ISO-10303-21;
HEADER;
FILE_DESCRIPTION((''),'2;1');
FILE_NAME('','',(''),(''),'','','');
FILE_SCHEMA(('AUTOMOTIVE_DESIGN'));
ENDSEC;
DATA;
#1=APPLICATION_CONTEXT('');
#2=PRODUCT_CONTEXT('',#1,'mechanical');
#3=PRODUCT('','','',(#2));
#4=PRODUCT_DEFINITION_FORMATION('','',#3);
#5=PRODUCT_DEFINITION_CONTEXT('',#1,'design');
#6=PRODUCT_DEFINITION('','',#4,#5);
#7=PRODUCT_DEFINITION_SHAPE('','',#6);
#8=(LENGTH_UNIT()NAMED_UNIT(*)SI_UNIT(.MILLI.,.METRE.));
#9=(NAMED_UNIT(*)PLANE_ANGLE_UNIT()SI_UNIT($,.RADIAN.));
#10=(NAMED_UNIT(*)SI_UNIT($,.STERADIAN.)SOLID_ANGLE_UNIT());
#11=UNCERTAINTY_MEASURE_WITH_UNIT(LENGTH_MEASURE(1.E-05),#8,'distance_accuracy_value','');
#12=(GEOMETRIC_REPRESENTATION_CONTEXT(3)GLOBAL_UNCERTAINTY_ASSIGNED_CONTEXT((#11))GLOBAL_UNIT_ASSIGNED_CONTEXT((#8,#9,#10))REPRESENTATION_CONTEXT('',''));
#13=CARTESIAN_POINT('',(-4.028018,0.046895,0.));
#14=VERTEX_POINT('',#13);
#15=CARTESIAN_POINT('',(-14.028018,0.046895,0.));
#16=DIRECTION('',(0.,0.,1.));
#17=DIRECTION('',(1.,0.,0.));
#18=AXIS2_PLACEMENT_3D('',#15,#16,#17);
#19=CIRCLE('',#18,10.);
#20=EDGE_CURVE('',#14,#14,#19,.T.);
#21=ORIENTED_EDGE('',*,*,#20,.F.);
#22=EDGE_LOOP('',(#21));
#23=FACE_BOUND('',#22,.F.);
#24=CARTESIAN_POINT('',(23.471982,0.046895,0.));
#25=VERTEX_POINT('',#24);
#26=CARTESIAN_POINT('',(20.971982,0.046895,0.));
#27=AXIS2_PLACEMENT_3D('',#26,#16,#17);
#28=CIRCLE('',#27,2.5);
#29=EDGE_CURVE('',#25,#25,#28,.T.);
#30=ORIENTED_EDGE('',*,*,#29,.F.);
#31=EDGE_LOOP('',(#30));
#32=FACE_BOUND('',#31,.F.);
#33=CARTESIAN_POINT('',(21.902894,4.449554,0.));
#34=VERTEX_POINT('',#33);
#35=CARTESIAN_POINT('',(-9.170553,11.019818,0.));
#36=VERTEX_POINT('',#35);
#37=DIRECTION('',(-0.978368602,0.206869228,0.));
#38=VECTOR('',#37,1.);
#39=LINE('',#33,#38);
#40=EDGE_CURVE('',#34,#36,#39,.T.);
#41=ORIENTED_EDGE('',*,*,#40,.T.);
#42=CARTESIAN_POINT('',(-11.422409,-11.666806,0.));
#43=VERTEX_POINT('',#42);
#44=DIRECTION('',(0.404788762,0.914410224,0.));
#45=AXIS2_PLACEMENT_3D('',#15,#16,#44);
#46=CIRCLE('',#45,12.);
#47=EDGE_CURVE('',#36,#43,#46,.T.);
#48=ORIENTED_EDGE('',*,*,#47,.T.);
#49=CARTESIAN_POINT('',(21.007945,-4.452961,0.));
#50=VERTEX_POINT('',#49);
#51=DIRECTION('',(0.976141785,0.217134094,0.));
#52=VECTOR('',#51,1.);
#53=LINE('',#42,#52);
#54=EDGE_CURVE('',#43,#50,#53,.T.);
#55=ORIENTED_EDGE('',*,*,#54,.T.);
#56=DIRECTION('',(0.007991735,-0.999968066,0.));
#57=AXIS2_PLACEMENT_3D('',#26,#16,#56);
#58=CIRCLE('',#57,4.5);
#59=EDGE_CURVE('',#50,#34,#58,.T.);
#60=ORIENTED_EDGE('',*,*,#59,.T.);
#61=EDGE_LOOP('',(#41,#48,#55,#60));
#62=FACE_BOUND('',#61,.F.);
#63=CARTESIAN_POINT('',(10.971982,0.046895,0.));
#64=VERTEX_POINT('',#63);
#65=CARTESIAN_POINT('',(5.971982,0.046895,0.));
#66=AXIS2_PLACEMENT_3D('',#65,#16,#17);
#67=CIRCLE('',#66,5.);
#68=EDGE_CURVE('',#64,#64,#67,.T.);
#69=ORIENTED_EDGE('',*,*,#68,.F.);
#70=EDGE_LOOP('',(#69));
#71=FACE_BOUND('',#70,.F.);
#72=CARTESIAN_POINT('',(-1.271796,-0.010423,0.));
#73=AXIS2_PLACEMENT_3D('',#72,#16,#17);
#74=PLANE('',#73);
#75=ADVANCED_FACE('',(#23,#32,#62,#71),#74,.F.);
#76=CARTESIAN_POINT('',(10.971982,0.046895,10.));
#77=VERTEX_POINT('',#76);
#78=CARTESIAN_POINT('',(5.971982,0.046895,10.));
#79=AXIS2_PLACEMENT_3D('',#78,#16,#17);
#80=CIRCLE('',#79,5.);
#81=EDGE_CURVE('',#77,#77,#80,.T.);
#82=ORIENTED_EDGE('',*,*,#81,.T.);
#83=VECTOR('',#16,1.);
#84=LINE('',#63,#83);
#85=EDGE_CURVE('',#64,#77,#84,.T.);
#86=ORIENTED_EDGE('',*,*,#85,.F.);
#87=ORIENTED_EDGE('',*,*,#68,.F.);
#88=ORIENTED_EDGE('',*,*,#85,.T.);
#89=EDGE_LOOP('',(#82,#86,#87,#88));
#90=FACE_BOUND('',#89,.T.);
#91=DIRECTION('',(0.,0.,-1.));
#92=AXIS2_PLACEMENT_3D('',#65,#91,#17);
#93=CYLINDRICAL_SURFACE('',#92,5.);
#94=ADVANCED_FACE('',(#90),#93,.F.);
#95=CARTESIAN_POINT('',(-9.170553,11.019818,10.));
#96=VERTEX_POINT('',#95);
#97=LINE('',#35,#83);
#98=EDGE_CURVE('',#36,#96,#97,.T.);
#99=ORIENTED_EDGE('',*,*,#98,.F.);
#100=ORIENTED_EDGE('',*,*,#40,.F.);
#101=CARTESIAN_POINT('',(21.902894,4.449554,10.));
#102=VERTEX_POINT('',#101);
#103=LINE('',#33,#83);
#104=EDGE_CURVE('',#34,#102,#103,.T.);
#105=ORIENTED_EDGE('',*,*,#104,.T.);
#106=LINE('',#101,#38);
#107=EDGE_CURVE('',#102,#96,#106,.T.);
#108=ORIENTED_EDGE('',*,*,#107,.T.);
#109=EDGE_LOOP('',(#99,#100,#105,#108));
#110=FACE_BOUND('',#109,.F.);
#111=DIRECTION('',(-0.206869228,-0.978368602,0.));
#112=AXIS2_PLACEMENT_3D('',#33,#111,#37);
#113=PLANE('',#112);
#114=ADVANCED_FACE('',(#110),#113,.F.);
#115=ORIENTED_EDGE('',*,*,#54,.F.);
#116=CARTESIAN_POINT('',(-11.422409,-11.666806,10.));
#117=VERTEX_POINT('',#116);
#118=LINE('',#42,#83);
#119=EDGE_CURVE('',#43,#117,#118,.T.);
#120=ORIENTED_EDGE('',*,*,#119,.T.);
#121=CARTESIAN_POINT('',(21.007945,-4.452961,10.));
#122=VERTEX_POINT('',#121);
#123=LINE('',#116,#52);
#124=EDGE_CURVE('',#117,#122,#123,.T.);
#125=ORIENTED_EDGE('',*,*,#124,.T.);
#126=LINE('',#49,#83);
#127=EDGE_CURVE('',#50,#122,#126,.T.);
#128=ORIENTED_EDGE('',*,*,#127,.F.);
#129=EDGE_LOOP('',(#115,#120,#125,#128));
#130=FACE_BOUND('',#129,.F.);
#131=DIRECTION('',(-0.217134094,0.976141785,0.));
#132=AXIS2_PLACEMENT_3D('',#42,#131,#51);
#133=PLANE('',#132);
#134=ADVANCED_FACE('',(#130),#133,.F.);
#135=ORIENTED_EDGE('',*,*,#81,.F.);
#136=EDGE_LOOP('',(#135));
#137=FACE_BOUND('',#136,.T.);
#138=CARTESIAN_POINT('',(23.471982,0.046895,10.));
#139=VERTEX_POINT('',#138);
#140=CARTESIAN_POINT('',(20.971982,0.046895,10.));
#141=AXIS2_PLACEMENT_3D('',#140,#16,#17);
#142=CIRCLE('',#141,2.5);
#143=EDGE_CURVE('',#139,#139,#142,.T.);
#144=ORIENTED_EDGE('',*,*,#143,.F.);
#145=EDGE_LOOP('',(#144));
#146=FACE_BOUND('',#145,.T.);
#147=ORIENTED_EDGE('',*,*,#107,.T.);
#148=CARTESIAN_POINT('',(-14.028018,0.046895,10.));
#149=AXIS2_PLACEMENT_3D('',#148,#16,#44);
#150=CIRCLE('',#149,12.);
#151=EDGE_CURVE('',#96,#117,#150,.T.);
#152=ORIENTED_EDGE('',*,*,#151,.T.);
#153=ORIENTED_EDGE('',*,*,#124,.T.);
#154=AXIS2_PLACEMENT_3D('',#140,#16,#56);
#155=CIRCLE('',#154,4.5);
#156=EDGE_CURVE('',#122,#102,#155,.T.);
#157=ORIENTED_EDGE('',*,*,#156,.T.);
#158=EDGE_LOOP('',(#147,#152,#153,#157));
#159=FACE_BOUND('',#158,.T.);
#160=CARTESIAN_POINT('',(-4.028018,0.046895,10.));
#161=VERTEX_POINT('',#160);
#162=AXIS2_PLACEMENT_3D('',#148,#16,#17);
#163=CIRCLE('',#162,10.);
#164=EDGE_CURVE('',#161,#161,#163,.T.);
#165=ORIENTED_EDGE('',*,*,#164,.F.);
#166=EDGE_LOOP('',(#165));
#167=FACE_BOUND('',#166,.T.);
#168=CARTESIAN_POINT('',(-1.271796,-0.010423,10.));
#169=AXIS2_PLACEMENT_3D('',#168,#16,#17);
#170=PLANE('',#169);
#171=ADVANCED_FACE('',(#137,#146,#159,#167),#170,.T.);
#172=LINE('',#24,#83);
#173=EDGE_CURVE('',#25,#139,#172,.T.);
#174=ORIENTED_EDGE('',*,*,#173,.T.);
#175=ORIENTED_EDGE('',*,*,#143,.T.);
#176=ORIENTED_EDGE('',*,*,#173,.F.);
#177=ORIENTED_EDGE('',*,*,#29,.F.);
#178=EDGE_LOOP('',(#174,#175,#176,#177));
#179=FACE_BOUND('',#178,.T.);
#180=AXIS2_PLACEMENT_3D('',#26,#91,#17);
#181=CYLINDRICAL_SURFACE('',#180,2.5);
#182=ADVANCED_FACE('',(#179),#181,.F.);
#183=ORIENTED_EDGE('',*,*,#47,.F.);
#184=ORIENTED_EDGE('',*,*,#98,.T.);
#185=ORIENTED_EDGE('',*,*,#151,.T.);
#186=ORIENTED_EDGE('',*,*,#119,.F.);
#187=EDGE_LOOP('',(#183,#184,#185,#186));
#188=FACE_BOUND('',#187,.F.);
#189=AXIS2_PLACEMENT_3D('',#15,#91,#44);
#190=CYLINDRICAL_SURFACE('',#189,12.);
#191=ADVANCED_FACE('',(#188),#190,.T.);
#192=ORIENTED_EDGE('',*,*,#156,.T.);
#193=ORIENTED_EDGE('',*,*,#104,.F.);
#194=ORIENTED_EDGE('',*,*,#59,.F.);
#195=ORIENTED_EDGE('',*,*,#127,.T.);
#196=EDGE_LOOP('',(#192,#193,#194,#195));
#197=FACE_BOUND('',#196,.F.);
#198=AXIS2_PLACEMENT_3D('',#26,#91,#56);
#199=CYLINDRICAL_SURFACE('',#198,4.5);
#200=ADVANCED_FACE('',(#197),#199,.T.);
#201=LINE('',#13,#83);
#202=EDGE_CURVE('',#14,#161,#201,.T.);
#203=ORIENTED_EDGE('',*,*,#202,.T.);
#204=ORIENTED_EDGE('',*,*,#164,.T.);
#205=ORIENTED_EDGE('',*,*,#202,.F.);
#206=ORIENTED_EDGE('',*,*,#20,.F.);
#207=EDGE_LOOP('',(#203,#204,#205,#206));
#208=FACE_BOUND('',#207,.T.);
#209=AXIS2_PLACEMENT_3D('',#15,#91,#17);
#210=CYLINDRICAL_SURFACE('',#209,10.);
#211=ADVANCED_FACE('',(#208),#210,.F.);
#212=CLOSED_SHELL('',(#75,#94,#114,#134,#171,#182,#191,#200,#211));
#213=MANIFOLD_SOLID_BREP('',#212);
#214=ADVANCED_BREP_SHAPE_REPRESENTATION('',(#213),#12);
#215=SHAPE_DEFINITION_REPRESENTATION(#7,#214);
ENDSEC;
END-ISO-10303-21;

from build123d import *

# Parameters (mm, degrees)
F0_R     = 10
F0_R_2   = 5
F0_R_3   = 2.5
F1_DEPTH = 10


with BuildPart() as f1:
    # F0 (on Top) → F1 (new body)
    with BuildSketch(Plane.XY):
        with BuildLine():
            Line((-11.422409, -11.666806), (21.007945, -4.452961))
            ThreePointArc((21.007945, -4.452961), (25.449415, -0.403211), (21.902894, 4.449554))
            Line((21.902894, 4.449554), (-9.170553, 11.019818))
            ThreePointArc((-9.170553, 11.019818), (-25.969337, 1.232181), (-11.422409, -11.666806))
        make_face()
        with Locations((-14.028018, 0.046895)):
            Circle(F0_R, mode=Mode.SUBTRACT)
        with Locations((5.971982, 0.046895)):
            Circle(F0_R_2, mode=Mode.SUBTRACT)
        with Locations((20.971982, 0.046895)):
            Circle(F0_R_3, mode=Mode.SUBTRACT)
    extrude(amount=F1_DEPTH)


solid = f1.part
